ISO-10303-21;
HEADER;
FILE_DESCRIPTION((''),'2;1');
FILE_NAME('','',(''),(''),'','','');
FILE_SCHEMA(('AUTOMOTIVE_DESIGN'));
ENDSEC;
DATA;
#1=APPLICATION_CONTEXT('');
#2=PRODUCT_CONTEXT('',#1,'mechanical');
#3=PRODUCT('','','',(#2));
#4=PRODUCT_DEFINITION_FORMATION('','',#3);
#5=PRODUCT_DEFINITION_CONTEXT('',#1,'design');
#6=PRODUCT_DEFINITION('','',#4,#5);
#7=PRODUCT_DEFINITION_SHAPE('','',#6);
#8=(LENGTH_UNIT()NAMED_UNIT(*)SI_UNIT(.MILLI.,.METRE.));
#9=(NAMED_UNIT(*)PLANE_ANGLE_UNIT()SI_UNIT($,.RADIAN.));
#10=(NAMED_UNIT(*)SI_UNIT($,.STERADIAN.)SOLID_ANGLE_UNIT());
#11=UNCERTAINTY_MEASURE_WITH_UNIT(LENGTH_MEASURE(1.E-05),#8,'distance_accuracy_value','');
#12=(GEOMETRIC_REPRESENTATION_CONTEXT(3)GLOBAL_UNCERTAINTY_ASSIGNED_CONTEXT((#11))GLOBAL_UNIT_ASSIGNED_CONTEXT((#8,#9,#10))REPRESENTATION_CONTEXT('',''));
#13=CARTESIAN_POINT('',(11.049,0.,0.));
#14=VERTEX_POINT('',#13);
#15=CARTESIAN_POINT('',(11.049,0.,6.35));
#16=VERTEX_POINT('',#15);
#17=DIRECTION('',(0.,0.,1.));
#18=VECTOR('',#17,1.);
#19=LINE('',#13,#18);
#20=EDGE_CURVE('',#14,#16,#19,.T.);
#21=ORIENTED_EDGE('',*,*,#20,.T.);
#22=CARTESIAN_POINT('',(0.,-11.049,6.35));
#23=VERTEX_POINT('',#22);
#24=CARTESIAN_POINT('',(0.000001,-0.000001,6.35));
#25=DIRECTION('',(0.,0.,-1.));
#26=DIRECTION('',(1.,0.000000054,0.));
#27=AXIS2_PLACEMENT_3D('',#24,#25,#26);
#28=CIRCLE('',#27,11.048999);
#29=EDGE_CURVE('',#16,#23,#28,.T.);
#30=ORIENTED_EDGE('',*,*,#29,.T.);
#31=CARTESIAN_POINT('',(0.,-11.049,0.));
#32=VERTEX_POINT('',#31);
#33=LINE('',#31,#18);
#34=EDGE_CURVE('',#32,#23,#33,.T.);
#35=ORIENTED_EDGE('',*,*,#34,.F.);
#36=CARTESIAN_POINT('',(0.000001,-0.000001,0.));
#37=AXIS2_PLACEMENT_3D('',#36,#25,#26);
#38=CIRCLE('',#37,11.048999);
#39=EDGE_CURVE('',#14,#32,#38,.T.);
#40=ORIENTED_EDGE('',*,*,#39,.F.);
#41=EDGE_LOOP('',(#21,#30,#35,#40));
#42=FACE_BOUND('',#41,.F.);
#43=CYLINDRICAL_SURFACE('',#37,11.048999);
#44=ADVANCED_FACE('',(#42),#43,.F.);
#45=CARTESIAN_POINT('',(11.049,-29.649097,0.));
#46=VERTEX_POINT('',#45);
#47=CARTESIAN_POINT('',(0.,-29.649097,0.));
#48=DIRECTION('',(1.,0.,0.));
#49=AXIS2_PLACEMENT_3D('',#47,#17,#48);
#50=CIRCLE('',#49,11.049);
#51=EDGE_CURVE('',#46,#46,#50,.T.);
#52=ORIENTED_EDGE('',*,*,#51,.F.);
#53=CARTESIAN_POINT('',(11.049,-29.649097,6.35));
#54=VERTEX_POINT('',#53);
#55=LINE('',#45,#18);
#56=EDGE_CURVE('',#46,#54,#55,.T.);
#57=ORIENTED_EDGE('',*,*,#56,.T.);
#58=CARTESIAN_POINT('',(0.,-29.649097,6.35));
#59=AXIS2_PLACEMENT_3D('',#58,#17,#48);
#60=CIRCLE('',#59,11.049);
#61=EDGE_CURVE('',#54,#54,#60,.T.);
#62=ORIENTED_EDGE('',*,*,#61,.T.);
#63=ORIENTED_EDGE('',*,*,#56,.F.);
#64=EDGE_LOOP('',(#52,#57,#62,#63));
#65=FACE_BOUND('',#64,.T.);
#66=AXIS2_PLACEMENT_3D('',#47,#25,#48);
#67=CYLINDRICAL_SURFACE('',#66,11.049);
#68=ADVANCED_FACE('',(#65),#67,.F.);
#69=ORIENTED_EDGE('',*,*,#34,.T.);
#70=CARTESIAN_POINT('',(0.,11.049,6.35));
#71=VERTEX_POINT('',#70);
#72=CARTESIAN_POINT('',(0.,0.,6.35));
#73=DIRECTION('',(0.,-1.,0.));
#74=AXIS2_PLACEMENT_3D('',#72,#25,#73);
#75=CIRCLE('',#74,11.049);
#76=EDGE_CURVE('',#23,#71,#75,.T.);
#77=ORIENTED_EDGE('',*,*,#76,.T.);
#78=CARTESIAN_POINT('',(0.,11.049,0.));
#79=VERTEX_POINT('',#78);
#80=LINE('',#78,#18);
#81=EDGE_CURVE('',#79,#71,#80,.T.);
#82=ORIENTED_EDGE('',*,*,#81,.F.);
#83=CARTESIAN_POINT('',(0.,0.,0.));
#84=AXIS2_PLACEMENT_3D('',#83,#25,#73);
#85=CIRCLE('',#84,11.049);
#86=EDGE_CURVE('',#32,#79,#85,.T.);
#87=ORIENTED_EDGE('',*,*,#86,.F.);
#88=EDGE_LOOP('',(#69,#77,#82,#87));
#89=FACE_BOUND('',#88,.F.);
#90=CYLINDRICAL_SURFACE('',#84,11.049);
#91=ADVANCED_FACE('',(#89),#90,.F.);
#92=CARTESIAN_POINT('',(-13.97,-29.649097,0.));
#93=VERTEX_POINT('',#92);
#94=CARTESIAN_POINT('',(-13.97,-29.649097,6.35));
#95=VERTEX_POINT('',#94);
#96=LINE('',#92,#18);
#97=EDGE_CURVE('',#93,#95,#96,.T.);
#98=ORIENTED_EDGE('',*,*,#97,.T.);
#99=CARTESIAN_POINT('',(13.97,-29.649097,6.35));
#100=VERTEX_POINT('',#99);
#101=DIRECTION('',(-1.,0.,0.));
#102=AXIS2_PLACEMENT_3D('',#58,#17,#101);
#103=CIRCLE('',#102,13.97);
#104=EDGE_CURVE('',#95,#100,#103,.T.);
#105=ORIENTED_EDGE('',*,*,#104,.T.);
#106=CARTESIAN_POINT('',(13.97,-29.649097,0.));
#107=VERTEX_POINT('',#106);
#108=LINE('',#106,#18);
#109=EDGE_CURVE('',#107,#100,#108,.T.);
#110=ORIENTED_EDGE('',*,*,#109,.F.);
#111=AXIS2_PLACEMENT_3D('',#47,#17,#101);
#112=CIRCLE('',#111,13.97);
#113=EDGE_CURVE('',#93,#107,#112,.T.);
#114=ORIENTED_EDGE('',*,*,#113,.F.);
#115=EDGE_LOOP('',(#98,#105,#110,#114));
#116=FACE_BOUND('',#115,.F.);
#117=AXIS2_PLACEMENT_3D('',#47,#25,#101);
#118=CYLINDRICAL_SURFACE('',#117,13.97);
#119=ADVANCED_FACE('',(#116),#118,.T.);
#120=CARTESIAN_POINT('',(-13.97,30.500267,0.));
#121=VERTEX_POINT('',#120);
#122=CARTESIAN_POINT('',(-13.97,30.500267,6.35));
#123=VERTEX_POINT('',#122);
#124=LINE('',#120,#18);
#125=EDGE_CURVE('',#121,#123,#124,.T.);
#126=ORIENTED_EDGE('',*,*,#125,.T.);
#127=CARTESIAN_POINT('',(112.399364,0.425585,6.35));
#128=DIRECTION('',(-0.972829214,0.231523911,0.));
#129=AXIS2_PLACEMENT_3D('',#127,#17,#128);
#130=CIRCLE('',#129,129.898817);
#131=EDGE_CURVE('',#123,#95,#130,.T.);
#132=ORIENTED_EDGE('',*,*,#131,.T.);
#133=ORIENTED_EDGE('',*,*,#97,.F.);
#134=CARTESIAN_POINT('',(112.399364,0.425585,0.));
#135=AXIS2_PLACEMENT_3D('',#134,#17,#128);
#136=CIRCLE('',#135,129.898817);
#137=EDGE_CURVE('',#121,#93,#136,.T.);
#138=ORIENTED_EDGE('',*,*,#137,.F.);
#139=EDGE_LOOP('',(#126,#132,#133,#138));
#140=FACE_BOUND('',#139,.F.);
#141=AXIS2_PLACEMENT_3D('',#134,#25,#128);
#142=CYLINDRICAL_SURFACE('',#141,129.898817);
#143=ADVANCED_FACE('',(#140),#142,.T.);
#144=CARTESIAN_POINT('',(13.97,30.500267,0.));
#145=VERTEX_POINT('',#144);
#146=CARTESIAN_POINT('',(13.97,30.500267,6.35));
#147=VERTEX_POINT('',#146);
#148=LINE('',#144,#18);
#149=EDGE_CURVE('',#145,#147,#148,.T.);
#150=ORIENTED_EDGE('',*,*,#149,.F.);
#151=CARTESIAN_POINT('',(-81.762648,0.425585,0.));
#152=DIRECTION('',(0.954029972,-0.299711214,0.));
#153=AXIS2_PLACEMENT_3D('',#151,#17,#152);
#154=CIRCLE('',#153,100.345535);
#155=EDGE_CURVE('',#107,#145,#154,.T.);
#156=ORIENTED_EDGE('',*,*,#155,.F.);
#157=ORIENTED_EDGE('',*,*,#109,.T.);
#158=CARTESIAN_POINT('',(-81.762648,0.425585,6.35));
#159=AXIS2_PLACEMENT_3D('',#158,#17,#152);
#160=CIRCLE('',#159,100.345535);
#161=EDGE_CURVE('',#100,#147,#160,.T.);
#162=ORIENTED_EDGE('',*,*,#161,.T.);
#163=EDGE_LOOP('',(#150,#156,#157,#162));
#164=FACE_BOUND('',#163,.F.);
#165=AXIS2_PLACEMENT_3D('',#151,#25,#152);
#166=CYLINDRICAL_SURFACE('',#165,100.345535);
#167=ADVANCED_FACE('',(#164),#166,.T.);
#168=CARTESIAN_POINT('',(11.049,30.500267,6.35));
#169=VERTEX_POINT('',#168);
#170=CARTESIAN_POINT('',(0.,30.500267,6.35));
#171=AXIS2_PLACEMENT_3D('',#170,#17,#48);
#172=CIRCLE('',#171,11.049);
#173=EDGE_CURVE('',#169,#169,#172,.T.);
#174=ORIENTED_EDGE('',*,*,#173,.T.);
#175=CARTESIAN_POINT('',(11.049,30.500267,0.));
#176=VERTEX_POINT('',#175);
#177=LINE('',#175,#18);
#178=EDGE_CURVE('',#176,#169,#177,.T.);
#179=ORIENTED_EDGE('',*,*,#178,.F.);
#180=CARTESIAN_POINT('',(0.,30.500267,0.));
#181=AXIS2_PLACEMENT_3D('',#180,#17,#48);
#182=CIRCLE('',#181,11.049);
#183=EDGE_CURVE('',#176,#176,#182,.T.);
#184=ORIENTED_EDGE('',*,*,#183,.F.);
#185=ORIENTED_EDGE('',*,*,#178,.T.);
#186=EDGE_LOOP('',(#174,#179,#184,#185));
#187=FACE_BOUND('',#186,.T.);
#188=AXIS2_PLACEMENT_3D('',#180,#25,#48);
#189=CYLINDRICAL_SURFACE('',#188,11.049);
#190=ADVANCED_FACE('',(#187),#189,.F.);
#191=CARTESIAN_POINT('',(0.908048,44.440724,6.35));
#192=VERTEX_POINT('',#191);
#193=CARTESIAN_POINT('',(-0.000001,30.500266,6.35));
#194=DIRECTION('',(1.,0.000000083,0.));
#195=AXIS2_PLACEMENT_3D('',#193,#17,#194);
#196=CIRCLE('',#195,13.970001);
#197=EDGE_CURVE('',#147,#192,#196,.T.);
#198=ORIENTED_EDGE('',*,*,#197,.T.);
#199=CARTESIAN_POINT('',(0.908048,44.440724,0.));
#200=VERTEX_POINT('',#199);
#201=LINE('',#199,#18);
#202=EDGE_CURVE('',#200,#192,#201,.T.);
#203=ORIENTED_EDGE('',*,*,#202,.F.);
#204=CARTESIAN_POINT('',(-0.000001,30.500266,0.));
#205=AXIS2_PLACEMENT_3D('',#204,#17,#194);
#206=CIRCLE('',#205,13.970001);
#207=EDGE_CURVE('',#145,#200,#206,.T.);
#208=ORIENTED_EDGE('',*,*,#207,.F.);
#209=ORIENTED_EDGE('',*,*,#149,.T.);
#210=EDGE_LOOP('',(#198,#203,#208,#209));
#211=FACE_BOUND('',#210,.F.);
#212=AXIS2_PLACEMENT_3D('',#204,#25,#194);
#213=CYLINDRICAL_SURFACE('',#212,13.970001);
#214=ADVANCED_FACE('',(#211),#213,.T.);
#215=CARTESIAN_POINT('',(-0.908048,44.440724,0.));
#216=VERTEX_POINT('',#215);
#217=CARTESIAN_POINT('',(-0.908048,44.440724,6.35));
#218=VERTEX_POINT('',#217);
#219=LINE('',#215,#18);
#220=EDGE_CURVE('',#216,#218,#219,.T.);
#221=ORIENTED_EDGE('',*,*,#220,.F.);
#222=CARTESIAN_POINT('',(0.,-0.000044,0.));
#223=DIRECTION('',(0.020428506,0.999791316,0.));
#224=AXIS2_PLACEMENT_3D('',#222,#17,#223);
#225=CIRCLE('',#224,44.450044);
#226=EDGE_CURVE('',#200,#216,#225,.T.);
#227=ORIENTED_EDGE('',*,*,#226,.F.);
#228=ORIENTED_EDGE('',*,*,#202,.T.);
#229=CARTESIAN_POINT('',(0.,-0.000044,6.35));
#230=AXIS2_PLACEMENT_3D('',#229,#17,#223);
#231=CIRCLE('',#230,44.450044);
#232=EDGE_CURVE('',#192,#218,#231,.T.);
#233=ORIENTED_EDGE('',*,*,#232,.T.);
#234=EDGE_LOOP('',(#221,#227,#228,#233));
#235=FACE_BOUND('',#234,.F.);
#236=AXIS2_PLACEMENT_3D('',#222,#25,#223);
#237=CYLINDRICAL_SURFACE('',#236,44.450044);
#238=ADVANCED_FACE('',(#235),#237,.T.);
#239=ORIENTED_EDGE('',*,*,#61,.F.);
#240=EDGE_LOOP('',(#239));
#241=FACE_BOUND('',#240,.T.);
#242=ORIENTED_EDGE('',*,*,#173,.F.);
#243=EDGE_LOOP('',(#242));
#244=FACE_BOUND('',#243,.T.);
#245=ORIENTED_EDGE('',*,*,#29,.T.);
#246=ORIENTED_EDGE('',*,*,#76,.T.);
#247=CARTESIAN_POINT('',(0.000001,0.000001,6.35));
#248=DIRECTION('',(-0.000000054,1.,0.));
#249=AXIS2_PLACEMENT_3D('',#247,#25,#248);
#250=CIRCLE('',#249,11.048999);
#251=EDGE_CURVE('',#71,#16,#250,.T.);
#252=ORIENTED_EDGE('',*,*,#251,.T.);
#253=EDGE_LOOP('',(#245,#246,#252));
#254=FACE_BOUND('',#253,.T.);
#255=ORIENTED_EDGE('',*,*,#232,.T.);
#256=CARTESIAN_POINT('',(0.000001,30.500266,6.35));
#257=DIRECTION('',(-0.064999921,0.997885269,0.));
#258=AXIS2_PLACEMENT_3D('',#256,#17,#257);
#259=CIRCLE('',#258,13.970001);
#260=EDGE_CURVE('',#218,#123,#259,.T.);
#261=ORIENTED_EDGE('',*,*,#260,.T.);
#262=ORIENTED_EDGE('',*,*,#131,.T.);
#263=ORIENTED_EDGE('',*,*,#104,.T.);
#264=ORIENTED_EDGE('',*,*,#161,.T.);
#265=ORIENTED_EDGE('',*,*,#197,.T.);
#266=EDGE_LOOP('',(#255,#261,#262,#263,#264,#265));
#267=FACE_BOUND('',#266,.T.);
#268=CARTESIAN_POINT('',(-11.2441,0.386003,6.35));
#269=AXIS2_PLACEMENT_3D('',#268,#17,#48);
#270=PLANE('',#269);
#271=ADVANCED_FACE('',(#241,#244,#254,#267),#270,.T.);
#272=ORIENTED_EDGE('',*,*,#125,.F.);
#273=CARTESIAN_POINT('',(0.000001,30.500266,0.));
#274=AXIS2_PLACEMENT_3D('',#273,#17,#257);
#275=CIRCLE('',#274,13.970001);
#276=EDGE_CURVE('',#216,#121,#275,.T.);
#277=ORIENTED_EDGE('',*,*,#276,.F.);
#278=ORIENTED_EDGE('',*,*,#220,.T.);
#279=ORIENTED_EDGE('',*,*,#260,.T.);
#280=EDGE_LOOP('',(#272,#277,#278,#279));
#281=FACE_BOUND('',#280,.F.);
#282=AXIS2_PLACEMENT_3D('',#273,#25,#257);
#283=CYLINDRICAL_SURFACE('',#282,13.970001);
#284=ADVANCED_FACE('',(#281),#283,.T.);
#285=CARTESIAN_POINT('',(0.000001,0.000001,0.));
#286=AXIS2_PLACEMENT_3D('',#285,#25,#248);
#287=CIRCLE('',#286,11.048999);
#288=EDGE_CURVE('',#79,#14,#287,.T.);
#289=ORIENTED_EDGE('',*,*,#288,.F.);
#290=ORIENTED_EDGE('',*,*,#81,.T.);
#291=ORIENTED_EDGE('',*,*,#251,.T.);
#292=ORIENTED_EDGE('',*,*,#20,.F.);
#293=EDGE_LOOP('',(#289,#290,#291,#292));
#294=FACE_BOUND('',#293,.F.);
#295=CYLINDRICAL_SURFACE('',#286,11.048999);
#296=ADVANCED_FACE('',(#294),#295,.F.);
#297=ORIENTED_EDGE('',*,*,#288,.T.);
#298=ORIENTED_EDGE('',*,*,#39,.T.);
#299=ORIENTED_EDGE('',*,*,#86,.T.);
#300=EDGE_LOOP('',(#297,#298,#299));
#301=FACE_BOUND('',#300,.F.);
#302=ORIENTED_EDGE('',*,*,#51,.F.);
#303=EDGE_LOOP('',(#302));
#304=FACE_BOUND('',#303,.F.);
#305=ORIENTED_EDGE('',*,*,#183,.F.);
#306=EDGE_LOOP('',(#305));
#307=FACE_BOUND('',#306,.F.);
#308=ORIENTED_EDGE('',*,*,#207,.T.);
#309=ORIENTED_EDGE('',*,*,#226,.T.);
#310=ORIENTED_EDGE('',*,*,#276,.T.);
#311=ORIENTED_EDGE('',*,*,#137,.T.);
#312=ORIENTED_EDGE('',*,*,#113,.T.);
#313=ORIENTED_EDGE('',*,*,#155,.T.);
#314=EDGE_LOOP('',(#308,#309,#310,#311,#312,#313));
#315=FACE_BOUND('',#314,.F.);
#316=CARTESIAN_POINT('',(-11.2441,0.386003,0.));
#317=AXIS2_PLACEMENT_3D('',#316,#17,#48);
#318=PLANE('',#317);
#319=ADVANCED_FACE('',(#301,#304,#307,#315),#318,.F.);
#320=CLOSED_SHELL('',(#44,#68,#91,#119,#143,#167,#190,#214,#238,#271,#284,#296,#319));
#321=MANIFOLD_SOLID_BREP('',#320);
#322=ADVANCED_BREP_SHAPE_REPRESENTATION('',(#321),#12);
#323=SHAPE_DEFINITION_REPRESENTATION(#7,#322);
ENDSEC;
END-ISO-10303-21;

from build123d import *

# Parameters (mm, degrees)
F0_R     = 11.049
F1_DEPTH = 6.35


with BuildPart() as f1:
    # F0 (on Top) → F1 (new body)
    with BuildSketch(Plane.XY):
        with BuildLine():
            ThreePointArc((0, 16.530267), (-9.878282, 20.621985), (-13.97, 30.500267))
            ThreePointArc((-13.97, 30.500267), (-17.499453, 0.425585), (-13.97, -29.649097))
            ThreePointArc((-13.97, -29.649097), (-9.878282, -19.770816), (0, -15.679097))
            Line((0, -15.679097), (0, -13.97))
            ThreePointArc((0, -13.97), (-13.97, 0), (0, 13.97))
            Line((0, 13.97), (0, 16.530267))
        make_face()
        with BuildLine():
            ThreePointArc((13.97, 30.500267), (10.194271, 40.052111), (0.908048, 44.440724))
            ThreePointArc((0.908048, 44.440724), (0, 44.45), (-0.908048, 44.440724))
            ThreePointArc((-0.908048, 44.440724), (-10.194271, 40.052111), (-13.97, 30.500267))
            ThreePointArc((-13.97, 30.500267), (-9.878282, 20.621985), (0, 16.530267))
            ThreePointArc((0, 16.530267), (9.878282, 20.621985), (13.97, 30.500267))
        make_face()
        with Locations((0, 30.500267)):
            Circle(F0_R, mode=Mode.SUBTRACT)
        with BuildLine():
            ThreePointArc((13.97, -29.649097), (18.582887, 0.425585), (13.97, 30.500267))
            ThreePointArc((13.97, 30.500267), (9.878282, 20.621985), (0, 16.530267))
            Line((0, 16.530267), (0, 13.97))
            ThreePointArc((0, 13.97), (9.878282, 9.878282), (13.97, 0))
            ThreePointArc((13.97, 0), (9.878282, -9.878282), (0, -13.97))
            Line((0, -13.97), (0, -15.679097))
            ThreePointArc((0, -15.679097), (9.878282, -19.770816), (13.97, -29.649097))
        make_face()
        with BuildLine():
            Line((0, 11.049), (0, 13.97))
            ThreePointArc((0, 13.97), (-13.97, 0), (0, -13.97))
            Line((0, -13.97), (0, -11.049))
            ThreePointArc((0, -11.049), (-11.049, 0), (0, 11.049))
        make_face()
        with BuildLine():
            ThreePointArc((13.97, 0), (9.878282, 9.878282), (0, 13.97))
            Line((0, 13.97), (0, 11.049))
            ThreePointArc((0, 11.049), (7.812823, 7.812823), (11.049, 0))
            ThreePointArc((11.049, 0), (7.812823, -7.812823), (0, -11.049))
            Line((0, -11.049), (0, -13.97))
            ThreePointArc((0, -13.97), (9.878282, -9.878282), (13.97, 0))
        make_face()
        with BuildLine():
            ThreePointArc((-13.97, -29.649097), (0, -43.619097), (13.97, -29.649097))
            ThreePointArc((13.97, -29.649097), (9.878282, -19.770816), (0, -15.679097))
            ThreePointArc((0, -15.679097), (-9.878282, -19.770816), (-13.97, -29.649097))
        make_face()
        with Locations((0, -29.649097)):
            Circle(F0_R, mode=Mode.SUBTRACT)
    extrude(amount=F1_DEPTH)


solid = f1.part
